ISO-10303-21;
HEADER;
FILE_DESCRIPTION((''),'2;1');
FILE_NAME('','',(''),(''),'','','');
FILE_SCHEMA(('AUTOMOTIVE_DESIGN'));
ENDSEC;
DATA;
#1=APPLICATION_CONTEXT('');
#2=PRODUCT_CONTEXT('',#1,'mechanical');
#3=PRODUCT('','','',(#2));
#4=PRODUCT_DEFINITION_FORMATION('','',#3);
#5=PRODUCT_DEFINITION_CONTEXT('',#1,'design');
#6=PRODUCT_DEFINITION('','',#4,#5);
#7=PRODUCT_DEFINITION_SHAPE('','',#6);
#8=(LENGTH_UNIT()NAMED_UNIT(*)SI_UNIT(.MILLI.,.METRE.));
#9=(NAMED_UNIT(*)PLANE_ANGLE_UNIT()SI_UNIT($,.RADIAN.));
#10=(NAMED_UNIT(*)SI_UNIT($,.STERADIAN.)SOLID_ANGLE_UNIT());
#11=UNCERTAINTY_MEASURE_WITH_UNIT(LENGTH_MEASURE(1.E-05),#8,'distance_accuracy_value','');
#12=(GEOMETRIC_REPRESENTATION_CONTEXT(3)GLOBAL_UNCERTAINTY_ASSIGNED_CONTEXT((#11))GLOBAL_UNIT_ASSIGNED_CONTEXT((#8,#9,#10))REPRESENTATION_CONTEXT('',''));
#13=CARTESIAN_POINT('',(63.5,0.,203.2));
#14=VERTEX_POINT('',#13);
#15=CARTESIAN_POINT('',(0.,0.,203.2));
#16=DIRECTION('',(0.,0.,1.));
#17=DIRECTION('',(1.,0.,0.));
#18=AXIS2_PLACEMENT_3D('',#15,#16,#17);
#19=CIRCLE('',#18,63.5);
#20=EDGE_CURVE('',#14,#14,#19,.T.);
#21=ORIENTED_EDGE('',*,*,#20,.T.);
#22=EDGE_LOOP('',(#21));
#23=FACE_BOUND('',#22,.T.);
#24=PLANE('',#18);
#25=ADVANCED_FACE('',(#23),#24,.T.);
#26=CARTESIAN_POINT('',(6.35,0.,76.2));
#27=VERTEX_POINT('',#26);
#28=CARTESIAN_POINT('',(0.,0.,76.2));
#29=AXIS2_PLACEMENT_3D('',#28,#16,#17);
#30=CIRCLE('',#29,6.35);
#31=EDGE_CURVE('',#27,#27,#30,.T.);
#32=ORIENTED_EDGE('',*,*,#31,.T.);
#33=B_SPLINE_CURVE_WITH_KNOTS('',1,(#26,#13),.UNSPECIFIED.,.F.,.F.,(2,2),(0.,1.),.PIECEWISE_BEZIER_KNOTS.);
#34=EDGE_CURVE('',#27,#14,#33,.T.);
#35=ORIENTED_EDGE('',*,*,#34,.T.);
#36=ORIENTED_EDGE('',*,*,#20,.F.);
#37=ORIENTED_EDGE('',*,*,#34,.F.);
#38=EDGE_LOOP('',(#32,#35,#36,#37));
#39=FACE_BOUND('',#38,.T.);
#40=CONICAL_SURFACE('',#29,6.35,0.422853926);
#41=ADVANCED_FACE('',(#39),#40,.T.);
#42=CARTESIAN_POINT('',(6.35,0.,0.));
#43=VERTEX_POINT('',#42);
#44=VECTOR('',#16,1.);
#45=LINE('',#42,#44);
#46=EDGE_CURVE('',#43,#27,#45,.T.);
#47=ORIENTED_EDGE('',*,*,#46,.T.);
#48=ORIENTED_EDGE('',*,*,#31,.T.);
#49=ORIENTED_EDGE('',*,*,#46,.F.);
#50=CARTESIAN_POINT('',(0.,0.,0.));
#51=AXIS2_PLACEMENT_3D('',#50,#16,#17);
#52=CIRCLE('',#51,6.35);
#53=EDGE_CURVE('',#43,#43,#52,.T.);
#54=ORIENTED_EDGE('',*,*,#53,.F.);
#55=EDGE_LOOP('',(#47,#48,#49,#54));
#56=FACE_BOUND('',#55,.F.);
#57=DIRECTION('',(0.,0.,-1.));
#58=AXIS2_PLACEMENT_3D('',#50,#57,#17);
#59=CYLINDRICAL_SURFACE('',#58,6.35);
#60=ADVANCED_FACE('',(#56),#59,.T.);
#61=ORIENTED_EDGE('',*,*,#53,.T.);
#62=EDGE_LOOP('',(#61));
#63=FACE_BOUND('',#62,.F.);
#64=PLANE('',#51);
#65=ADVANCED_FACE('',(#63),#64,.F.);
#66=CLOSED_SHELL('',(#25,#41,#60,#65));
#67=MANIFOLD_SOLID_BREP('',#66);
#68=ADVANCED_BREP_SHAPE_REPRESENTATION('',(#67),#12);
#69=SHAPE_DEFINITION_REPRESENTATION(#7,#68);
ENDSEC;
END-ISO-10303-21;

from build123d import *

# Parameters (mm, degrees)
F3_R     = 6.35
F4_R     = 63.5
F2_R     = 6.35
F6_DEPTH = 78.74


with BuildPart() as f5:
    # F3 (on offset) → F5 section 0
    with BuildSketch(Plane.XY.offset(76.2)):
        Circle(F3_R)
    # F4 (on offset) → F5 section 1
    with BuildSketch(Plane.XY.offset(203.2)):
        Circle(F4_R)
    loft()

    # F2 (on Top) → F6 (join)
    with BuildSketch(Plane.XY):
        Circle(F2_R)
    extrude(amount=F6_DEPTH)


solid = f5.part
